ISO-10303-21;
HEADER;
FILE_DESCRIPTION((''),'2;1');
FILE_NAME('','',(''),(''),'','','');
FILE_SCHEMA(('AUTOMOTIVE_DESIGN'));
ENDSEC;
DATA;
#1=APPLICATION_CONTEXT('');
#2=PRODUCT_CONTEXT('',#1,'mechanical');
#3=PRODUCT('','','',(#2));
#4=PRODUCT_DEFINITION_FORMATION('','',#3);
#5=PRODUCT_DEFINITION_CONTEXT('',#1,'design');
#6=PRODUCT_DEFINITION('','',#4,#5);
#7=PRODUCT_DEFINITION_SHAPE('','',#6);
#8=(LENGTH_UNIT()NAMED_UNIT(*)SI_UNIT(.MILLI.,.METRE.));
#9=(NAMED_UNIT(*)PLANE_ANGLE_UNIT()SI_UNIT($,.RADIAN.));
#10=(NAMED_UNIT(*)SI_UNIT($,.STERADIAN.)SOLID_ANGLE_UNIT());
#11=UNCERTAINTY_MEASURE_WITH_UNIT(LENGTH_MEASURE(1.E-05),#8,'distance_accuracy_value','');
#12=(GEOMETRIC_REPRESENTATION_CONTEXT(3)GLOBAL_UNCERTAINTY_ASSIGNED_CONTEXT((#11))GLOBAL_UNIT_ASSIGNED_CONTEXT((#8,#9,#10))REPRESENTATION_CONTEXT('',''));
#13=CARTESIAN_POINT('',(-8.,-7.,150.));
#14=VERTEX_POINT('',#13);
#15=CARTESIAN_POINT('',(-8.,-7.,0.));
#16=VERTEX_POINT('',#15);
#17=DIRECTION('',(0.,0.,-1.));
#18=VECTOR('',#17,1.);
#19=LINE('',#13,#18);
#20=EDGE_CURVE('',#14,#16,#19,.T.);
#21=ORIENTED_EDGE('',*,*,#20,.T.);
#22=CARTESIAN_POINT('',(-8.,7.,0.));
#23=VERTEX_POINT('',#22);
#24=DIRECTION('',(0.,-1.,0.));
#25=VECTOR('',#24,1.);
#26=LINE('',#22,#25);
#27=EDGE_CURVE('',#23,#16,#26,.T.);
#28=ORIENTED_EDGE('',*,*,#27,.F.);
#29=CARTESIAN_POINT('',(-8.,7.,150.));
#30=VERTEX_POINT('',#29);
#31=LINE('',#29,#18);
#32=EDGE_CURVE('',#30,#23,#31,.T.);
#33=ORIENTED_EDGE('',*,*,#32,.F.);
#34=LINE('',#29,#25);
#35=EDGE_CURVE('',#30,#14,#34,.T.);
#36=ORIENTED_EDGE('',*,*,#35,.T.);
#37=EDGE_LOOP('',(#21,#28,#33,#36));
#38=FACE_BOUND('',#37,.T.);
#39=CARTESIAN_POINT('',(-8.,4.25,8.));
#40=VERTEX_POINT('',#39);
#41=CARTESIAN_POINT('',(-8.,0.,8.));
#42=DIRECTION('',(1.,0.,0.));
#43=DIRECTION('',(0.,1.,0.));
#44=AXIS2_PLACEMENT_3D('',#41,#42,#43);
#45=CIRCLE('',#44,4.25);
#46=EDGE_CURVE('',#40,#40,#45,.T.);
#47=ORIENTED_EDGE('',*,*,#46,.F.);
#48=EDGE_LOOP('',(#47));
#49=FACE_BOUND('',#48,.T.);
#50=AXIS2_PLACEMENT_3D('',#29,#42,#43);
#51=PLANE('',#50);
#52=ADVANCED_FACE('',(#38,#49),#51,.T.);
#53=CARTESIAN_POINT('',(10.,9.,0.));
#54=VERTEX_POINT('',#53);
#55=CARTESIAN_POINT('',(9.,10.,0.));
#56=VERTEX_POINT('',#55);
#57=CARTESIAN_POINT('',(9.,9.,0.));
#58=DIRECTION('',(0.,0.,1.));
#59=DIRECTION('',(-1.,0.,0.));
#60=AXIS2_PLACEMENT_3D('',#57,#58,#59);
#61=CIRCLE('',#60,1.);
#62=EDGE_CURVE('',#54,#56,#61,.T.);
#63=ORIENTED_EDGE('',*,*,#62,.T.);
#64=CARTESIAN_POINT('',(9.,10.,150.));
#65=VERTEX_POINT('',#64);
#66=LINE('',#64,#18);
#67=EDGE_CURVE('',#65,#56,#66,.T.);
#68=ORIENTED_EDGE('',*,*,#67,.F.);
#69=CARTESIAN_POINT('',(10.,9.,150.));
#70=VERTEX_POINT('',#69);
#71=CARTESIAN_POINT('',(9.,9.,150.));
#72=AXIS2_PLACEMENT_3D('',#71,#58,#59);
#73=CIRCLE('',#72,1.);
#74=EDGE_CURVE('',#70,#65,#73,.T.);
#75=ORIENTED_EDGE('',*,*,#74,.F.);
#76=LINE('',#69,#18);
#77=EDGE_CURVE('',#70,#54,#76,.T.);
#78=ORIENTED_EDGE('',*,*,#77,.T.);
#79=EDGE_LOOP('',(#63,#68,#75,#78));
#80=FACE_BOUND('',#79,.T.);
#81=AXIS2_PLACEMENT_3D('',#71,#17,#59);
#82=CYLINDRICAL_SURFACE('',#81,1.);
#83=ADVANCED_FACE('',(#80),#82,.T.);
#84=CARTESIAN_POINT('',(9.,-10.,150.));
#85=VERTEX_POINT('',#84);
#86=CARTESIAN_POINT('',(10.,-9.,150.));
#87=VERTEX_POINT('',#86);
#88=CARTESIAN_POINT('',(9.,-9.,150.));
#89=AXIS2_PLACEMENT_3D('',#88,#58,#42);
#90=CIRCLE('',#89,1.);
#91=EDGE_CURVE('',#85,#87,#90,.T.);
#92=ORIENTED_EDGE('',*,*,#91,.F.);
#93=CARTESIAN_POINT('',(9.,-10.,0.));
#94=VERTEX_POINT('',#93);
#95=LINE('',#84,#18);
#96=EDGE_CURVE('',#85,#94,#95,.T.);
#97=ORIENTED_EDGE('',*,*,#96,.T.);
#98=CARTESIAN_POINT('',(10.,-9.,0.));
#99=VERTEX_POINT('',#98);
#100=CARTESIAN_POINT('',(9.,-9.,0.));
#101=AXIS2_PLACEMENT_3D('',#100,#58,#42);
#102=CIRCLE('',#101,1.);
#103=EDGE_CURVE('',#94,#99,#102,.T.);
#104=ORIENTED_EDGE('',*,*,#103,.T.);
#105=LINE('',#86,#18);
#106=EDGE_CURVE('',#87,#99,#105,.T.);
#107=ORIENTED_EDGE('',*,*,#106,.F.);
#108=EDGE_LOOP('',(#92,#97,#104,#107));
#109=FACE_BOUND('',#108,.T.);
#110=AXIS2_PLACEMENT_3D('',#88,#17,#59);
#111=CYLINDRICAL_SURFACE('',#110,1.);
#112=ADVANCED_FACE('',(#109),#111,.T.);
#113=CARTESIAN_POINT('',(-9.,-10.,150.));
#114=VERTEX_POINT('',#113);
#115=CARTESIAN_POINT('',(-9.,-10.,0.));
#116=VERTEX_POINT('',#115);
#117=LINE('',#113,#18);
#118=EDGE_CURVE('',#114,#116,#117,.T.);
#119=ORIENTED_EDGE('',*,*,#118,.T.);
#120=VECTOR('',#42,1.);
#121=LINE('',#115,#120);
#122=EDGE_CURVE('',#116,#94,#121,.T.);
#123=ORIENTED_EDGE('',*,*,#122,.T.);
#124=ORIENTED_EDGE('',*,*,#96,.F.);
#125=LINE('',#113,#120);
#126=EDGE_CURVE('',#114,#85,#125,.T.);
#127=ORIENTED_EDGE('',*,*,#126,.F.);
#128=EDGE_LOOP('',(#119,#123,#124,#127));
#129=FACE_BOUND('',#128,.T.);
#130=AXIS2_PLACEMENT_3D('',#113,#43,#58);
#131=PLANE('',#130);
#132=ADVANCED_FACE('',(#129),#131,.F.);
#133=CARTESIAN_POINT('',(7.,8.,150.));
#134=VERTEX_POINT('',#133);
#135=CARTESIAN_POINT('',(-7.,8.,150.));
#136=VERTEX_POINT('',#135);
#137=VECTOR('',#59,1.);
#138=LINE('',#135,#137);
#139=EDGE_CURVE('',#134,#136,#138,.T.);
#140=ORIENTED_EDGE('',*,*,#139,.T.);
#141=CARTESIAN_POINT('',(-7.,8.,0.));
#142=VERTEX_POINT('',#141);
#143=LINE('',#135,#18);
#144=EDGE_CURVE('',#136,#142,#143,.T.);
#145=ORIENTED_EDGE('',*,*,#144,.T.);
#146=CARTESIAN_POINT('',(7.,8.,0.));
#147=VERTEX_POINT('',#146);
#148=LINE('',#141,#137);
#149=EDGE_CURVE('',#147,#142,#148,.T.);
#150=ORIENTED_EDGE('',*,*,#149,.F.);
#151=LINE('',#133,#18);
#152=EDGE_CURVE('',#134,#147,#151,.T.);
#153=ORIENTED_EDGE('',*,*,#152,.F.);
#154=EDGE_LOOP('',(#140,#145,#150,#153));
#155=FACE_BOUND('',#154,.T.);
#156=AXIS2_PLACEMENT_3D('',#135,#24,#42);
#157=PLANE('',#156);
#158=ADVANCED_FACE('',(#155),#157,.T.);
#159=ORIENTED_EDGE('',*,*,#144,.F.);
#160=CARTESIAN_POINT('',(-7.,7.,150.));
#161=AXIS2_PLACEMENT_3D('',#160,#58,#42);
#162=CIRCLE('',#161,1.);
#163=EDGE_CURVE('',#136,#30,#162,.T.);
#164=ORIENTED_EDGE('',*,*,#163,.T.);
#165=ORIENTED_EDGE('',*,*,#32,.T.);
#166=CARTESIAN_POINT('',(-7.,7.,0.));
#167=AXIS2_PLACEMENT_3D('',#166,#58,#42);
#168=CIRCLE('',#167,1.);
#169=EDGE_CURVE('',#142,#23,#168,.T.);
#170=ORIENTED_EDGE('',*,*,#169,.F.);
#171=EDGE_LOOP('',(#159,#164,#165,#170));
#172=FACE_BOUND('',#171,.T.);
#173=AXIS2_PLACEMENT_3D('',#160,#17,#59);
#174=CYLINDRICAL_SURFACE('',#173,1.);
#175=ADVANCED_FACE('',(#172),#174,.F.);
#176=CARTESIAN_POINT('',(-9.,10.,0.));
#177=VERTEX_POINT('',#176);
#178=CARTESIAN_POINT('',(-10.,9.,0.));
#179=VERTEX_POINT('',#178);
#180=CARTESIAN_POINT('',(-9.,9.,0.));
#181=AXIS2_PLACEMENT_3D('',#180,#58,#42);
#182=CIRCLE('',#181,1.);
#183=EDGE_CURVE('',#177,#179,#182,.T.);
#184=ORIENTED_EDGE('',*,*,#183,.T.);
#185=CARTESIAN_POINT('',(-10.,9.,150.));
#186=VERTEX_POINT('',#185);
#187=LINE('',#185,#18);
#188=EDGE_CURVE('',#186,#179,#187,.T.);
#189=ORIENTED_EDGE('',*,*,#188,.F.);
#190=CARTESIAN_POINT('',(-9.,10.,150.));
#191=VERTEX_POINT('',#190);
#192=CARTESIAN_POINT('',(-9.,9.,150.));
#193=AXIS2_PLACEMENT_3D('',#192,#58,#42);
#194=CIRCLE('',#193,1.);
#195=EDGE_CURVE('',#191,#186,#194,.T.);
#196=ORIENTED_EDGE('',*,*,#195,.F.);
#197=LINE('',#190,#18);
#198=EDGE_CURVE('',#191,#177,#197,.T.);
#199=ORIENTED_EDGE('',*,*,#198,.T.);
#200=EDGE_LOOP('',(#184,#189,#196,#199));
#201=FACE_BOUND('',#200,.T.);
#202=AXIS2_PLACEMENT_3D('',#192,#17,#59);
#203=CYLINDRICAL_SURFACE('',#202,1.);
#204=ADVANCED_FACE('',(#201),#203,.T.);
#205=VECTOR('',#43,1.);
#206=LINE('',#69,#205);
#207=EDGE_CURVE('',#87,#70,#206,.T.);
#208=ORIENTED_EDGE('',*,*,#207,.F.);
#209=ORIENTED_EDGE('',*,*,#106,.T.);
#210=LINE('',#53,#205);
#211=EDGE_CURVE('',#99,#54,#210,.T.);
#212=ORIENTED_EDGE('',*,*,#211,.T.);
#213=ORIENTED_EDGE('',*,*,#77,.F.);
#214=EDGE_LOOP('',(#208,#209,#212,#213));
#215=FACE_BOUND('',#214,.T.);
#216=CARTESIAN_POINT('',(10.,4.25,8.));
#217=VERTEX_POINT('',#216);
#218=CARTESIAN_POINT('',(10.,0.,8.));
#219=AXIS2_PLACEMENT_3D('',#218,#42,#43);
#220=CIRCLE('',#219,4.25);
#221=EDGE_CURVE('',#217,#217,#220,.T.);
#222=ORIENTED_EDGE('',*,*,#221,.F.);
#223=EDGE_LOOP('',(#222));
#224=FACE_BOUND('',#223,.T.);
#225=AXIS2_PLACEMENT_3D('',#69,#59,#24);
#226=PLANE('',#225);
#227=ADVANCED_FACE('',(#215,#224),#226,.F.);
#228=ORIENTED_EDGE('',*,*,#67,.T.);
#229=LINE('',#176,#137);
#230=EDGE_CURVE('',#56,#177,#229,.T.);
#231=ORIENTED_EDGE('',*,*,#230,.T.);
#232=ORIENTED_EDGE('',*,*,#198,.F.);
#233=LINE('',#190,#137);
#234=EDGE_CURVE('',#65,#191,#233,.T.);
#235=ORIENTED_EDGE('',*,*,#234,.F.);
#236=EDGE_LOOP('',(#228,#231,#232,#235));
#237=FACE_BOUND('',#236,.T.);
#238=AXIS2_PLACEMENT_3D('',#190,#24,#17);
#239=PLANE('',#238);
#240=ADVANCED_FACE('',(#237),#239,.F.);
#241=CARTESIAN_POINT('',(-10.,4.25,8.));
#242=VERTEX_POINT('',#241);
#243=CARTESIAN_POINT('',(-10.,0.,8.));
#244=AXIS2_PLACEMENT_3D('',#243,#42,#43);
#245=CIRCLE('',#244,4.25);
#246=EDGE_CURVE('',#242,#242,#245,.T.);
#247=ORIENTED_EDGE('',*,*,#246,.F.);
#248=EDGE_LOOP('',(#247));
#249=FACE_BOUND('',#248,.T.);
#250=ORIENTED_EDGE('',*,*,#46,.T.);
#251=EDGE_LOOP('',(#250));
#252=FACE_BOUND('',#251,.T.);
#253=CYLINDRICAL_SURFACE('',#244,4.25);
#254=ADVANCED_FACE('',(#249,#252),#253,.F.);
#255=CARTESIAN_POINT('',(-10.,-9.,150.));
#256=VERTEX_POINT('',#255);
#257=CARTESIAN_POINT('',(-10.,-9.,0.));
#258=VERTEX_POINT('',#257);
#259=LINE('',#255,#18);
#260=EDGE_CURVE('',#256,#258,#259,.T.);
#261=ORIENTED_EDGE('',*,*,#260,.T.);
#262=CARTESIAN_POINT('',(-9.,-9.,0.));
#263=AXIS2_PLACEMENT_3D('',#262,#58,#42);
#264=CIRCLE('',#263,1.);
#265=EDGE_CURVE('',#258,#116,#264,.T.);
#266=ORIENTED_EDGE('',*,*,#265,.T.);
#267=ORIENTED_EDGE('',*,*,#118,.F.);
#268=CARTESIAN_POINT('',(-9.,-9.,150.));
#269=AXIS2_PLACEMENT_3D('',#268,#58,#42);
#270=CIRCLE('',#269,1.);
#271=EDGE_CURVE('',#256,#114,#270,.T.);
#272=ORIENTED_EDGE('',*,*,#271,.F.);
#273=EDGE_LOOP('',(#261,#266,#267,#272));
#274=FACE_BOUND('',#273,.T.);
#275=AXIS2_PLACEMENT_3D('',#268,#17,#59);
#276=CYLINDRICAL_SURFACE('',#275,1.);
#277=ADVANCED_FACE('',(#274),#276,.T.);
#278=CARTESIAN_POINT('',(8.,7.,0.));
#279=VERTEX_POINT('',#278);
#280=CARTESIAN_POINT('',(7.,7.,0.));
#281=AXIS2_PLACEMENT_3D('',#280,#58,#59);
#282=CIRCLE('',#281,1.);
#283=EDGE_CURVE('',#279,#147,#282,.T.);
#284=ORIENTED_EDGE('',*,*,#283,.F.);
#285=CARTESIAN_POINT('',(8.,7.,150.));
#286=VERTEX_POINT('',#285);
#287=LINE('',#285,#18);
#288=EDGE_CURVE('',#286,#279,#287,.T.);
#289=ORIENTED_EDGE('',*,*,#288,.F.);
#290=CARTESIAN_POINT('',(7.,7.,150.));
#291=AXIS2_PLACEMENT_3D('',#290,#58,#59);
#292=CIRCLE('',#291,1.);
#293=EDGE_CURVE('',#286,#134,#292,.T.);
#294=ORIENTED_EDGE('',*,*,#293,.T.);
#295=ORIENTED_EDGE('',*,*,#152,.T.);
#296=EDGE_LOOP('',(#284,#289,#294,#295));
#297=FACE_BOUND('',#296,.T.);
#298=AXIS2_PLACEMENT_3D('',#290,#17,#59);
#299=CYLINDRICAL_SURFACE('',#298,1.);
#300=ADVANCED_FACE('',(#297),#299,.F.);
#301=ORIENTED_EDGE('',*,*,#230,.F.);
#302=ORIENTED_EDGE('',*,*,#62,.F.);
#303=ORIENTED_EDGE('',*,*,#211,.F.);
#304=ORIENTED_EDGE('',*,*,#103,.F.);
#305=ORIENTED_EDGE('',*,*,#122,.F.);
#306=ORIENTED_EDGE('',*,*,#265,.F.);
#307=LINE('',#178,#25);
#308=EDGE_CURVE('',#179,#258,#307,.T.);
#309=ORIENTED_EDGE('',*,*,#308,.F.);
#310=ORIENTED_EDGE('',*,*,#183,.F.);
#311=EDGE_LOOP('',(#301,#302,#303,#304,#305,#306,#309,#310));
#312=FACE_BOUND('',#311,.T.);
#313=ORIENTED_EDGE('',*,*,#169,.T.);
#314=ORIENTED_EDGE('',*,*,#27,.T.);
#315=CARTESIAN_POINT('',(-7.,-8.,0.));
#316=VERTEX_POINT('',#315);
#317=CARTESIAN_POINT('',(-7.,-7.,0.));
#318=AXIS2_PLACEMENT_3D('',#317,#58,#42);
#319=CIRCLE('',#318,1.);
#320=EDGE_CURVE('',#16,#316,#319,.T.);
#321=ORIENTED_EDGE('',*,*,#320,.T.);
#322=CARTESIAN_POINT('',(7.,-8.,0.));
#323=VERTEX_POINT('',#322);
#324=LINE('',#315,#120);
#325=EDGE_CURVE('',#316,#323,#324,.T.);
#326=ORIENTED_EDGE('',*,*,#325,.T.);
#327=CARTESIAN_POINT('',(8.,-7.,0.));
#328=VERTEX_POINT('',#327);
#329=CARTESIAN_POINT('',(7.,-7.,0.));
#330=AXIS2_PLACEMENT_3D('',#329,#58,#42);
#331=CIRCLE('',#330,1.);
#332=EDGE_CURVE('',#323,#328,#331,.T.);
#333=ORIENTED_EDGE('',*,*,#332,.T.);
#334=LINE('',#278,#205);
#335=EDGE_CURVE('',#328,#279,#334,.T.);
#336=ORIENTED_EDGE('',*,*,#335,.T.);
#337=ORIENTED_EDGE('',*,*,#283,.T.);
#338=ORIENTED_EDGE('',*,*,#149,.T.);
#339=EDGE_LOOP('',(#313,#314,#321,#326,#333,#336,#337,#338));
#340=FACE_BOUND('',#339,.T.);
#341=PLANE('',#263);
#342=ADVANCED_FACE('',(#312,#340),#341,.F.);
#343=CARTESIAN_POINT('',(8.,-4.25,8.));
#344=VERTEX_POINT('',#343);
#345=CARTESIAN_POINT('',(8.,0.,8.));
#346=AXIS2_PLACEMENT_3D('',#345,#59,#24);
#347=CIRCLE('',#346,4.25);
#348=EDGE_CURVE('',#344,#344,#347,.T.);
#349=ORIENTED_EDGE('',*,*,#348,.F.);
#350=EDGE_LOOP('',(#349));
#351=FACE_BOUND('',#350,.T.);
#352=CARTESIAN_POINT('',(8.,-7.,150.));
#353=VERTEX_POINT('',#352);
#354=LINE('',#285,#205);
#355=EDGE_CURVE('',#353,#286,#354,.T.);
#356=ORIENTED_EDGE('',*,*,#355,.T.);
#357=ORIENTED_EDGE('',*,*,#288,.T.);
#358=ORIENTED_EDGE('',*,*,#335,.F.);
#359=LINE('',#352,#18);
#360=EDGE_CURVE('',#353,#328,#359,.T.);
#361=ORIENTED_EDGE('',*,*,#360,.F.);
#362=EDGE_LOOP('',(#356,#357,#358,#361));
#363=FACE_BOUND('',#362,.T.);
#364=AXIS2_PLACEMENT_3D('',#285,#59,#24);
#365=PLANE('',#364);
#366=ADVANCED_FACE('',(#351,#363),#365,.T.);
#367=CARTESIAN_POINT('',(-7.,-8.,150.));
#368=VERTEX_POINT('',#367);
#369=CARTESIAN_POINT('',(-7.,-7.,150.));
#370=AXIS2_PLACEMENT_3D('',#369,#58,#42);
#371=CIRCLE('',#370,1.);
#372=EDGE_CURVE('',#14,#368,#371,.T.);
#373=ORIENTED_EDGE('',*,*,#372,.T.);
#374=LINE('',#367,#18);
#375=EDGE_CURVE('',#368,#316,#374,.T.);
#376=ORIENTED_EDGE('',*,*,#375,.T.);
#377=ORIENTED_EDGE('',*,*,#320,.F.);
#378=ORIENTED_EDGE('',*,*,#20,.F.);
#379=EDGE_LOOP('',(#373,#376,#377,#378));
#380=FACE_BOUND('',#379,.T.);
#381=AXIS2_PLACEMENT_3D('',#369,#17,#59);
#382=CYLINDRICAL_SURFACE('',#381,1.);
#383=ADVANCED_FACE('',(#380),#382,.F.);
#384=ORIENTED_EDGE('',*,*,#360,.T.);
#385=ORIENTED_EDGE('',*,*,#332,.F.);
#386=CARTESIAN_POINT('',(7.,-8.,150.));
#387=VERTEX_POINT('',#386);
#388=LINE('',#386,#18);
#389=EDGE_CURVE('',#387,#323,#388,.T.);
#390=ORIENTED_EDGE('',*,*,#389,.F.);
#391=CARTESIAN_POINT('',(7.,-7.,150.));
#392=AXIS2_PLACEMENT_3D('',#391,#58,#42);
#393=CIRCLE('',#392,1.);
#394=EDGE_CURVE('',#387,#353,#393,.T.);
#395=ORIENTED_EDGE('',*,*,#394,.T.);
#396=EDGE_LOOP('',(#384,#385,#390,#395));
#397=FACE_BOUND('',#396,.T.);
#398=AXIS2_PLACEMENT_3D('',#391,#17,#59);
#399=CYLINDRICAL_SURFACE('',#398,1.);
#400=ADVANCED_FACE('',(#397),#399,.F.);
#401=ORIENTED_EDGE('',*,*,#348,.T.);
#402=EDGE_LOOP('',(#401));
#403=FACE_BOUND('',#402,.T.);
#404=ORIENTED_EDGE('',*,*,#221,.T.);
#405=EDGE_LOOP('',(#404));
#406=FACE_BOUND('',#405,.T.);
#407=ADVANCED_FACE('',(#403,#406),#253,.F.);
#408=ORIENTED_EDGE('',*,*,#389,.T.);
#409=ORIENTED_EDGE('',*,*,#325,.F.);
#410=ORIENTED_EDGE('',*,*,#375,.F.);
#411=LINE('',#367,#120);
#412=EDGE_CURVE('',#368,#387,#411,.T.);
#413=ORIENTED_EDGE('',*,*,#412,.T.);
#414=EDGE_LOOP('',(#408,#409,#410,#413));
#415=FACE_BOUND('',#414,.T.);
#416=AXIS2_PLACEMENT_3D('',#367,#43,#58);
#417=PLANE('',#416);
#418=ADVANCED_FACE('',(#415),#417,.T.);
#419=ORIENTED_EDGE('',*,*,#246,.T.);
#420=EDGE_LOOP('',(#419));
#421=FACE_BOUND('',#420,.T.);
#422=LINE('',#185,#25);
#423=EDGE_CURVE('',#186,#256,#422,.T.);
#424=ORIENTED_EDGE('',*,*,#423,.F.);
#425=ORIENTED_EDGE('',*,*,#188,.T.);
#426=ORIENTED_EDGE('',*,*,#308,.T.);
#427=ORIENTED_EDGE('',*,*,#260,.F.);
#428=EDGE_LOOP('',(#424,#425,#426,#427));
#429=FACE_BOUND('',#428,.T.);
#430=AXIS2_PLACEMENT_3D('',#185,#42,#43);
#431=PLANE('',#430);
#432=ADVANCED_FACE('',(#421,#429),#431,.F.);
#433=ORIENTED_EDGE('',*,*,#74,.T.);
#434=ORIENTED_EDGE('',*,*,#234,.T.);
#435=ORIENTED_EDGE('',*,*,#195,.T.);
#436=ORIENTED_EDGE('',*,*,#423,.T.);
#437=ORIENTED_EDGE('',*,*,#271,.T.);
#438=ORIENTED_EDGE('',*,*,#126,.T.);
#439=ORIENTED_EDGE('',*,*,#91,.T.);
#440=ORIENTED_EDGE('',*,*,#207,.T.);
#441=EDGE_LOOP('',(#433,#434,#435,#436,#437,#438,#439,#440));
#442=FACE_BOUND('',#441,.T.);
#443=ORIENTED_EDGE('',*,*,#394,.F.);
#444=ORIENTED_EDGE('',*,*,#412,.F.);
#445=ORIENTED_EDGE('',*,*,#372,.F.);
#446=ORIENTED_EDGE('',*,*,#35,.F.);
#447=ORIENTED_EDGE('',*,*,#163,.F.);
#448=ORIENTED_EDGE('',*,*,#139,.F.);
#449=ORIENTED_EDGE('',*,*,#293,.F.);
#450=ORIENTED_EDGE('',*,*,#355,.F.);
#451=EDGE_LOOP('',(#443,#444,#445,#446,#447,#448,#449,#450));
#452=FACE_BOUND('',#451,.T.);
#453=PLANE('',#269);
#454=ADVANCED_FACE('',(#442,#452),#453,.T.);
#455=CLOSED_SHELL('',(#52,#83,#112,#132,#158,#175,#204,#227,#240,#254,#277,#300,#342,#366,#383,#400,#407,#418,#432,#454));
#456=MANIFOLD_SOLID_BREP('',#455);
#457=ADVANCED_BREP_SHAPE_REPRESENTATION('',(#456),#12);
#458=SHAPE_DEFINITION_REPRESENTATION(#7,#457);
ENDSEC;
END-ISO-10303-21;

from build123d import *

# Parameters (mm, degrees)
BOSS_EXTRUDE1_DEPTH = 150
SKETCH2_R           = 4.25
CUT_EXTRUDE1_DEPTH  = 21


with BuildPart() as part:
    # Sketch1 → Boss-Extrude1 (new body)
    with BuildSketch(Plane.XY):
        with BuildLine():
            Line((-9, 10), (9, 10))
            ThreePointArc((9, 10), (9.707106781, 9.707106781), (10, 9))
            Line((10, 9), (10, -9))
            ThreePointArc((10, -9), (9.707106781, -9.707106781), (9, -10))
            Line((9, -10), (-9, -10))
            ThreePointArc((-9, -10), (-9.707106781, -9.707106781), (-10, -9))
            Line((-10, -9), (-10, 9))
            ThreePointArc((-10, 9), (-9.707106781, 9.707106781), (-9, 10))
        make_face()
        with BuildLine():
            Line((-7, 8), (7, 8))
            ThreePointArc((7, 8), (7.707106781, 7.707106781), (8, 7))
            Line((8, 7), (8, -7))
            ThreePointArc((8, -7), (7.707106781, -7.707106781), (7, -8))
            Line((7, -8), (-7, -8))
            ThreePointArc((-7, -8), (-7.707106781, -7.707106781), (-8, -7))
            Line((-8, -7), (-8, 7))
            ThreePointArc((-8, 7), (-7.707106781, 7.707106781), (-7, 8))
        make_face(mode=Mode.SUBTRACT)
    extrude(amount=BOSS_EXTRUDE1_DEPTH)

    # Sketch2 → Cut-Extrude1 (cut, through all)
    with BuildSketch(Plane(origin=(10, 0, 0), x_dir=(0, 0, -1), z_dir=(1, 0, 0))):
        with Locations((-8, 0)):
            Circle(SKETCH2_R)
    extrude(amount=-CUT_EXTRUDE1_DEPTH, mode=Mode.SUBTRACT)


solid = part.part
